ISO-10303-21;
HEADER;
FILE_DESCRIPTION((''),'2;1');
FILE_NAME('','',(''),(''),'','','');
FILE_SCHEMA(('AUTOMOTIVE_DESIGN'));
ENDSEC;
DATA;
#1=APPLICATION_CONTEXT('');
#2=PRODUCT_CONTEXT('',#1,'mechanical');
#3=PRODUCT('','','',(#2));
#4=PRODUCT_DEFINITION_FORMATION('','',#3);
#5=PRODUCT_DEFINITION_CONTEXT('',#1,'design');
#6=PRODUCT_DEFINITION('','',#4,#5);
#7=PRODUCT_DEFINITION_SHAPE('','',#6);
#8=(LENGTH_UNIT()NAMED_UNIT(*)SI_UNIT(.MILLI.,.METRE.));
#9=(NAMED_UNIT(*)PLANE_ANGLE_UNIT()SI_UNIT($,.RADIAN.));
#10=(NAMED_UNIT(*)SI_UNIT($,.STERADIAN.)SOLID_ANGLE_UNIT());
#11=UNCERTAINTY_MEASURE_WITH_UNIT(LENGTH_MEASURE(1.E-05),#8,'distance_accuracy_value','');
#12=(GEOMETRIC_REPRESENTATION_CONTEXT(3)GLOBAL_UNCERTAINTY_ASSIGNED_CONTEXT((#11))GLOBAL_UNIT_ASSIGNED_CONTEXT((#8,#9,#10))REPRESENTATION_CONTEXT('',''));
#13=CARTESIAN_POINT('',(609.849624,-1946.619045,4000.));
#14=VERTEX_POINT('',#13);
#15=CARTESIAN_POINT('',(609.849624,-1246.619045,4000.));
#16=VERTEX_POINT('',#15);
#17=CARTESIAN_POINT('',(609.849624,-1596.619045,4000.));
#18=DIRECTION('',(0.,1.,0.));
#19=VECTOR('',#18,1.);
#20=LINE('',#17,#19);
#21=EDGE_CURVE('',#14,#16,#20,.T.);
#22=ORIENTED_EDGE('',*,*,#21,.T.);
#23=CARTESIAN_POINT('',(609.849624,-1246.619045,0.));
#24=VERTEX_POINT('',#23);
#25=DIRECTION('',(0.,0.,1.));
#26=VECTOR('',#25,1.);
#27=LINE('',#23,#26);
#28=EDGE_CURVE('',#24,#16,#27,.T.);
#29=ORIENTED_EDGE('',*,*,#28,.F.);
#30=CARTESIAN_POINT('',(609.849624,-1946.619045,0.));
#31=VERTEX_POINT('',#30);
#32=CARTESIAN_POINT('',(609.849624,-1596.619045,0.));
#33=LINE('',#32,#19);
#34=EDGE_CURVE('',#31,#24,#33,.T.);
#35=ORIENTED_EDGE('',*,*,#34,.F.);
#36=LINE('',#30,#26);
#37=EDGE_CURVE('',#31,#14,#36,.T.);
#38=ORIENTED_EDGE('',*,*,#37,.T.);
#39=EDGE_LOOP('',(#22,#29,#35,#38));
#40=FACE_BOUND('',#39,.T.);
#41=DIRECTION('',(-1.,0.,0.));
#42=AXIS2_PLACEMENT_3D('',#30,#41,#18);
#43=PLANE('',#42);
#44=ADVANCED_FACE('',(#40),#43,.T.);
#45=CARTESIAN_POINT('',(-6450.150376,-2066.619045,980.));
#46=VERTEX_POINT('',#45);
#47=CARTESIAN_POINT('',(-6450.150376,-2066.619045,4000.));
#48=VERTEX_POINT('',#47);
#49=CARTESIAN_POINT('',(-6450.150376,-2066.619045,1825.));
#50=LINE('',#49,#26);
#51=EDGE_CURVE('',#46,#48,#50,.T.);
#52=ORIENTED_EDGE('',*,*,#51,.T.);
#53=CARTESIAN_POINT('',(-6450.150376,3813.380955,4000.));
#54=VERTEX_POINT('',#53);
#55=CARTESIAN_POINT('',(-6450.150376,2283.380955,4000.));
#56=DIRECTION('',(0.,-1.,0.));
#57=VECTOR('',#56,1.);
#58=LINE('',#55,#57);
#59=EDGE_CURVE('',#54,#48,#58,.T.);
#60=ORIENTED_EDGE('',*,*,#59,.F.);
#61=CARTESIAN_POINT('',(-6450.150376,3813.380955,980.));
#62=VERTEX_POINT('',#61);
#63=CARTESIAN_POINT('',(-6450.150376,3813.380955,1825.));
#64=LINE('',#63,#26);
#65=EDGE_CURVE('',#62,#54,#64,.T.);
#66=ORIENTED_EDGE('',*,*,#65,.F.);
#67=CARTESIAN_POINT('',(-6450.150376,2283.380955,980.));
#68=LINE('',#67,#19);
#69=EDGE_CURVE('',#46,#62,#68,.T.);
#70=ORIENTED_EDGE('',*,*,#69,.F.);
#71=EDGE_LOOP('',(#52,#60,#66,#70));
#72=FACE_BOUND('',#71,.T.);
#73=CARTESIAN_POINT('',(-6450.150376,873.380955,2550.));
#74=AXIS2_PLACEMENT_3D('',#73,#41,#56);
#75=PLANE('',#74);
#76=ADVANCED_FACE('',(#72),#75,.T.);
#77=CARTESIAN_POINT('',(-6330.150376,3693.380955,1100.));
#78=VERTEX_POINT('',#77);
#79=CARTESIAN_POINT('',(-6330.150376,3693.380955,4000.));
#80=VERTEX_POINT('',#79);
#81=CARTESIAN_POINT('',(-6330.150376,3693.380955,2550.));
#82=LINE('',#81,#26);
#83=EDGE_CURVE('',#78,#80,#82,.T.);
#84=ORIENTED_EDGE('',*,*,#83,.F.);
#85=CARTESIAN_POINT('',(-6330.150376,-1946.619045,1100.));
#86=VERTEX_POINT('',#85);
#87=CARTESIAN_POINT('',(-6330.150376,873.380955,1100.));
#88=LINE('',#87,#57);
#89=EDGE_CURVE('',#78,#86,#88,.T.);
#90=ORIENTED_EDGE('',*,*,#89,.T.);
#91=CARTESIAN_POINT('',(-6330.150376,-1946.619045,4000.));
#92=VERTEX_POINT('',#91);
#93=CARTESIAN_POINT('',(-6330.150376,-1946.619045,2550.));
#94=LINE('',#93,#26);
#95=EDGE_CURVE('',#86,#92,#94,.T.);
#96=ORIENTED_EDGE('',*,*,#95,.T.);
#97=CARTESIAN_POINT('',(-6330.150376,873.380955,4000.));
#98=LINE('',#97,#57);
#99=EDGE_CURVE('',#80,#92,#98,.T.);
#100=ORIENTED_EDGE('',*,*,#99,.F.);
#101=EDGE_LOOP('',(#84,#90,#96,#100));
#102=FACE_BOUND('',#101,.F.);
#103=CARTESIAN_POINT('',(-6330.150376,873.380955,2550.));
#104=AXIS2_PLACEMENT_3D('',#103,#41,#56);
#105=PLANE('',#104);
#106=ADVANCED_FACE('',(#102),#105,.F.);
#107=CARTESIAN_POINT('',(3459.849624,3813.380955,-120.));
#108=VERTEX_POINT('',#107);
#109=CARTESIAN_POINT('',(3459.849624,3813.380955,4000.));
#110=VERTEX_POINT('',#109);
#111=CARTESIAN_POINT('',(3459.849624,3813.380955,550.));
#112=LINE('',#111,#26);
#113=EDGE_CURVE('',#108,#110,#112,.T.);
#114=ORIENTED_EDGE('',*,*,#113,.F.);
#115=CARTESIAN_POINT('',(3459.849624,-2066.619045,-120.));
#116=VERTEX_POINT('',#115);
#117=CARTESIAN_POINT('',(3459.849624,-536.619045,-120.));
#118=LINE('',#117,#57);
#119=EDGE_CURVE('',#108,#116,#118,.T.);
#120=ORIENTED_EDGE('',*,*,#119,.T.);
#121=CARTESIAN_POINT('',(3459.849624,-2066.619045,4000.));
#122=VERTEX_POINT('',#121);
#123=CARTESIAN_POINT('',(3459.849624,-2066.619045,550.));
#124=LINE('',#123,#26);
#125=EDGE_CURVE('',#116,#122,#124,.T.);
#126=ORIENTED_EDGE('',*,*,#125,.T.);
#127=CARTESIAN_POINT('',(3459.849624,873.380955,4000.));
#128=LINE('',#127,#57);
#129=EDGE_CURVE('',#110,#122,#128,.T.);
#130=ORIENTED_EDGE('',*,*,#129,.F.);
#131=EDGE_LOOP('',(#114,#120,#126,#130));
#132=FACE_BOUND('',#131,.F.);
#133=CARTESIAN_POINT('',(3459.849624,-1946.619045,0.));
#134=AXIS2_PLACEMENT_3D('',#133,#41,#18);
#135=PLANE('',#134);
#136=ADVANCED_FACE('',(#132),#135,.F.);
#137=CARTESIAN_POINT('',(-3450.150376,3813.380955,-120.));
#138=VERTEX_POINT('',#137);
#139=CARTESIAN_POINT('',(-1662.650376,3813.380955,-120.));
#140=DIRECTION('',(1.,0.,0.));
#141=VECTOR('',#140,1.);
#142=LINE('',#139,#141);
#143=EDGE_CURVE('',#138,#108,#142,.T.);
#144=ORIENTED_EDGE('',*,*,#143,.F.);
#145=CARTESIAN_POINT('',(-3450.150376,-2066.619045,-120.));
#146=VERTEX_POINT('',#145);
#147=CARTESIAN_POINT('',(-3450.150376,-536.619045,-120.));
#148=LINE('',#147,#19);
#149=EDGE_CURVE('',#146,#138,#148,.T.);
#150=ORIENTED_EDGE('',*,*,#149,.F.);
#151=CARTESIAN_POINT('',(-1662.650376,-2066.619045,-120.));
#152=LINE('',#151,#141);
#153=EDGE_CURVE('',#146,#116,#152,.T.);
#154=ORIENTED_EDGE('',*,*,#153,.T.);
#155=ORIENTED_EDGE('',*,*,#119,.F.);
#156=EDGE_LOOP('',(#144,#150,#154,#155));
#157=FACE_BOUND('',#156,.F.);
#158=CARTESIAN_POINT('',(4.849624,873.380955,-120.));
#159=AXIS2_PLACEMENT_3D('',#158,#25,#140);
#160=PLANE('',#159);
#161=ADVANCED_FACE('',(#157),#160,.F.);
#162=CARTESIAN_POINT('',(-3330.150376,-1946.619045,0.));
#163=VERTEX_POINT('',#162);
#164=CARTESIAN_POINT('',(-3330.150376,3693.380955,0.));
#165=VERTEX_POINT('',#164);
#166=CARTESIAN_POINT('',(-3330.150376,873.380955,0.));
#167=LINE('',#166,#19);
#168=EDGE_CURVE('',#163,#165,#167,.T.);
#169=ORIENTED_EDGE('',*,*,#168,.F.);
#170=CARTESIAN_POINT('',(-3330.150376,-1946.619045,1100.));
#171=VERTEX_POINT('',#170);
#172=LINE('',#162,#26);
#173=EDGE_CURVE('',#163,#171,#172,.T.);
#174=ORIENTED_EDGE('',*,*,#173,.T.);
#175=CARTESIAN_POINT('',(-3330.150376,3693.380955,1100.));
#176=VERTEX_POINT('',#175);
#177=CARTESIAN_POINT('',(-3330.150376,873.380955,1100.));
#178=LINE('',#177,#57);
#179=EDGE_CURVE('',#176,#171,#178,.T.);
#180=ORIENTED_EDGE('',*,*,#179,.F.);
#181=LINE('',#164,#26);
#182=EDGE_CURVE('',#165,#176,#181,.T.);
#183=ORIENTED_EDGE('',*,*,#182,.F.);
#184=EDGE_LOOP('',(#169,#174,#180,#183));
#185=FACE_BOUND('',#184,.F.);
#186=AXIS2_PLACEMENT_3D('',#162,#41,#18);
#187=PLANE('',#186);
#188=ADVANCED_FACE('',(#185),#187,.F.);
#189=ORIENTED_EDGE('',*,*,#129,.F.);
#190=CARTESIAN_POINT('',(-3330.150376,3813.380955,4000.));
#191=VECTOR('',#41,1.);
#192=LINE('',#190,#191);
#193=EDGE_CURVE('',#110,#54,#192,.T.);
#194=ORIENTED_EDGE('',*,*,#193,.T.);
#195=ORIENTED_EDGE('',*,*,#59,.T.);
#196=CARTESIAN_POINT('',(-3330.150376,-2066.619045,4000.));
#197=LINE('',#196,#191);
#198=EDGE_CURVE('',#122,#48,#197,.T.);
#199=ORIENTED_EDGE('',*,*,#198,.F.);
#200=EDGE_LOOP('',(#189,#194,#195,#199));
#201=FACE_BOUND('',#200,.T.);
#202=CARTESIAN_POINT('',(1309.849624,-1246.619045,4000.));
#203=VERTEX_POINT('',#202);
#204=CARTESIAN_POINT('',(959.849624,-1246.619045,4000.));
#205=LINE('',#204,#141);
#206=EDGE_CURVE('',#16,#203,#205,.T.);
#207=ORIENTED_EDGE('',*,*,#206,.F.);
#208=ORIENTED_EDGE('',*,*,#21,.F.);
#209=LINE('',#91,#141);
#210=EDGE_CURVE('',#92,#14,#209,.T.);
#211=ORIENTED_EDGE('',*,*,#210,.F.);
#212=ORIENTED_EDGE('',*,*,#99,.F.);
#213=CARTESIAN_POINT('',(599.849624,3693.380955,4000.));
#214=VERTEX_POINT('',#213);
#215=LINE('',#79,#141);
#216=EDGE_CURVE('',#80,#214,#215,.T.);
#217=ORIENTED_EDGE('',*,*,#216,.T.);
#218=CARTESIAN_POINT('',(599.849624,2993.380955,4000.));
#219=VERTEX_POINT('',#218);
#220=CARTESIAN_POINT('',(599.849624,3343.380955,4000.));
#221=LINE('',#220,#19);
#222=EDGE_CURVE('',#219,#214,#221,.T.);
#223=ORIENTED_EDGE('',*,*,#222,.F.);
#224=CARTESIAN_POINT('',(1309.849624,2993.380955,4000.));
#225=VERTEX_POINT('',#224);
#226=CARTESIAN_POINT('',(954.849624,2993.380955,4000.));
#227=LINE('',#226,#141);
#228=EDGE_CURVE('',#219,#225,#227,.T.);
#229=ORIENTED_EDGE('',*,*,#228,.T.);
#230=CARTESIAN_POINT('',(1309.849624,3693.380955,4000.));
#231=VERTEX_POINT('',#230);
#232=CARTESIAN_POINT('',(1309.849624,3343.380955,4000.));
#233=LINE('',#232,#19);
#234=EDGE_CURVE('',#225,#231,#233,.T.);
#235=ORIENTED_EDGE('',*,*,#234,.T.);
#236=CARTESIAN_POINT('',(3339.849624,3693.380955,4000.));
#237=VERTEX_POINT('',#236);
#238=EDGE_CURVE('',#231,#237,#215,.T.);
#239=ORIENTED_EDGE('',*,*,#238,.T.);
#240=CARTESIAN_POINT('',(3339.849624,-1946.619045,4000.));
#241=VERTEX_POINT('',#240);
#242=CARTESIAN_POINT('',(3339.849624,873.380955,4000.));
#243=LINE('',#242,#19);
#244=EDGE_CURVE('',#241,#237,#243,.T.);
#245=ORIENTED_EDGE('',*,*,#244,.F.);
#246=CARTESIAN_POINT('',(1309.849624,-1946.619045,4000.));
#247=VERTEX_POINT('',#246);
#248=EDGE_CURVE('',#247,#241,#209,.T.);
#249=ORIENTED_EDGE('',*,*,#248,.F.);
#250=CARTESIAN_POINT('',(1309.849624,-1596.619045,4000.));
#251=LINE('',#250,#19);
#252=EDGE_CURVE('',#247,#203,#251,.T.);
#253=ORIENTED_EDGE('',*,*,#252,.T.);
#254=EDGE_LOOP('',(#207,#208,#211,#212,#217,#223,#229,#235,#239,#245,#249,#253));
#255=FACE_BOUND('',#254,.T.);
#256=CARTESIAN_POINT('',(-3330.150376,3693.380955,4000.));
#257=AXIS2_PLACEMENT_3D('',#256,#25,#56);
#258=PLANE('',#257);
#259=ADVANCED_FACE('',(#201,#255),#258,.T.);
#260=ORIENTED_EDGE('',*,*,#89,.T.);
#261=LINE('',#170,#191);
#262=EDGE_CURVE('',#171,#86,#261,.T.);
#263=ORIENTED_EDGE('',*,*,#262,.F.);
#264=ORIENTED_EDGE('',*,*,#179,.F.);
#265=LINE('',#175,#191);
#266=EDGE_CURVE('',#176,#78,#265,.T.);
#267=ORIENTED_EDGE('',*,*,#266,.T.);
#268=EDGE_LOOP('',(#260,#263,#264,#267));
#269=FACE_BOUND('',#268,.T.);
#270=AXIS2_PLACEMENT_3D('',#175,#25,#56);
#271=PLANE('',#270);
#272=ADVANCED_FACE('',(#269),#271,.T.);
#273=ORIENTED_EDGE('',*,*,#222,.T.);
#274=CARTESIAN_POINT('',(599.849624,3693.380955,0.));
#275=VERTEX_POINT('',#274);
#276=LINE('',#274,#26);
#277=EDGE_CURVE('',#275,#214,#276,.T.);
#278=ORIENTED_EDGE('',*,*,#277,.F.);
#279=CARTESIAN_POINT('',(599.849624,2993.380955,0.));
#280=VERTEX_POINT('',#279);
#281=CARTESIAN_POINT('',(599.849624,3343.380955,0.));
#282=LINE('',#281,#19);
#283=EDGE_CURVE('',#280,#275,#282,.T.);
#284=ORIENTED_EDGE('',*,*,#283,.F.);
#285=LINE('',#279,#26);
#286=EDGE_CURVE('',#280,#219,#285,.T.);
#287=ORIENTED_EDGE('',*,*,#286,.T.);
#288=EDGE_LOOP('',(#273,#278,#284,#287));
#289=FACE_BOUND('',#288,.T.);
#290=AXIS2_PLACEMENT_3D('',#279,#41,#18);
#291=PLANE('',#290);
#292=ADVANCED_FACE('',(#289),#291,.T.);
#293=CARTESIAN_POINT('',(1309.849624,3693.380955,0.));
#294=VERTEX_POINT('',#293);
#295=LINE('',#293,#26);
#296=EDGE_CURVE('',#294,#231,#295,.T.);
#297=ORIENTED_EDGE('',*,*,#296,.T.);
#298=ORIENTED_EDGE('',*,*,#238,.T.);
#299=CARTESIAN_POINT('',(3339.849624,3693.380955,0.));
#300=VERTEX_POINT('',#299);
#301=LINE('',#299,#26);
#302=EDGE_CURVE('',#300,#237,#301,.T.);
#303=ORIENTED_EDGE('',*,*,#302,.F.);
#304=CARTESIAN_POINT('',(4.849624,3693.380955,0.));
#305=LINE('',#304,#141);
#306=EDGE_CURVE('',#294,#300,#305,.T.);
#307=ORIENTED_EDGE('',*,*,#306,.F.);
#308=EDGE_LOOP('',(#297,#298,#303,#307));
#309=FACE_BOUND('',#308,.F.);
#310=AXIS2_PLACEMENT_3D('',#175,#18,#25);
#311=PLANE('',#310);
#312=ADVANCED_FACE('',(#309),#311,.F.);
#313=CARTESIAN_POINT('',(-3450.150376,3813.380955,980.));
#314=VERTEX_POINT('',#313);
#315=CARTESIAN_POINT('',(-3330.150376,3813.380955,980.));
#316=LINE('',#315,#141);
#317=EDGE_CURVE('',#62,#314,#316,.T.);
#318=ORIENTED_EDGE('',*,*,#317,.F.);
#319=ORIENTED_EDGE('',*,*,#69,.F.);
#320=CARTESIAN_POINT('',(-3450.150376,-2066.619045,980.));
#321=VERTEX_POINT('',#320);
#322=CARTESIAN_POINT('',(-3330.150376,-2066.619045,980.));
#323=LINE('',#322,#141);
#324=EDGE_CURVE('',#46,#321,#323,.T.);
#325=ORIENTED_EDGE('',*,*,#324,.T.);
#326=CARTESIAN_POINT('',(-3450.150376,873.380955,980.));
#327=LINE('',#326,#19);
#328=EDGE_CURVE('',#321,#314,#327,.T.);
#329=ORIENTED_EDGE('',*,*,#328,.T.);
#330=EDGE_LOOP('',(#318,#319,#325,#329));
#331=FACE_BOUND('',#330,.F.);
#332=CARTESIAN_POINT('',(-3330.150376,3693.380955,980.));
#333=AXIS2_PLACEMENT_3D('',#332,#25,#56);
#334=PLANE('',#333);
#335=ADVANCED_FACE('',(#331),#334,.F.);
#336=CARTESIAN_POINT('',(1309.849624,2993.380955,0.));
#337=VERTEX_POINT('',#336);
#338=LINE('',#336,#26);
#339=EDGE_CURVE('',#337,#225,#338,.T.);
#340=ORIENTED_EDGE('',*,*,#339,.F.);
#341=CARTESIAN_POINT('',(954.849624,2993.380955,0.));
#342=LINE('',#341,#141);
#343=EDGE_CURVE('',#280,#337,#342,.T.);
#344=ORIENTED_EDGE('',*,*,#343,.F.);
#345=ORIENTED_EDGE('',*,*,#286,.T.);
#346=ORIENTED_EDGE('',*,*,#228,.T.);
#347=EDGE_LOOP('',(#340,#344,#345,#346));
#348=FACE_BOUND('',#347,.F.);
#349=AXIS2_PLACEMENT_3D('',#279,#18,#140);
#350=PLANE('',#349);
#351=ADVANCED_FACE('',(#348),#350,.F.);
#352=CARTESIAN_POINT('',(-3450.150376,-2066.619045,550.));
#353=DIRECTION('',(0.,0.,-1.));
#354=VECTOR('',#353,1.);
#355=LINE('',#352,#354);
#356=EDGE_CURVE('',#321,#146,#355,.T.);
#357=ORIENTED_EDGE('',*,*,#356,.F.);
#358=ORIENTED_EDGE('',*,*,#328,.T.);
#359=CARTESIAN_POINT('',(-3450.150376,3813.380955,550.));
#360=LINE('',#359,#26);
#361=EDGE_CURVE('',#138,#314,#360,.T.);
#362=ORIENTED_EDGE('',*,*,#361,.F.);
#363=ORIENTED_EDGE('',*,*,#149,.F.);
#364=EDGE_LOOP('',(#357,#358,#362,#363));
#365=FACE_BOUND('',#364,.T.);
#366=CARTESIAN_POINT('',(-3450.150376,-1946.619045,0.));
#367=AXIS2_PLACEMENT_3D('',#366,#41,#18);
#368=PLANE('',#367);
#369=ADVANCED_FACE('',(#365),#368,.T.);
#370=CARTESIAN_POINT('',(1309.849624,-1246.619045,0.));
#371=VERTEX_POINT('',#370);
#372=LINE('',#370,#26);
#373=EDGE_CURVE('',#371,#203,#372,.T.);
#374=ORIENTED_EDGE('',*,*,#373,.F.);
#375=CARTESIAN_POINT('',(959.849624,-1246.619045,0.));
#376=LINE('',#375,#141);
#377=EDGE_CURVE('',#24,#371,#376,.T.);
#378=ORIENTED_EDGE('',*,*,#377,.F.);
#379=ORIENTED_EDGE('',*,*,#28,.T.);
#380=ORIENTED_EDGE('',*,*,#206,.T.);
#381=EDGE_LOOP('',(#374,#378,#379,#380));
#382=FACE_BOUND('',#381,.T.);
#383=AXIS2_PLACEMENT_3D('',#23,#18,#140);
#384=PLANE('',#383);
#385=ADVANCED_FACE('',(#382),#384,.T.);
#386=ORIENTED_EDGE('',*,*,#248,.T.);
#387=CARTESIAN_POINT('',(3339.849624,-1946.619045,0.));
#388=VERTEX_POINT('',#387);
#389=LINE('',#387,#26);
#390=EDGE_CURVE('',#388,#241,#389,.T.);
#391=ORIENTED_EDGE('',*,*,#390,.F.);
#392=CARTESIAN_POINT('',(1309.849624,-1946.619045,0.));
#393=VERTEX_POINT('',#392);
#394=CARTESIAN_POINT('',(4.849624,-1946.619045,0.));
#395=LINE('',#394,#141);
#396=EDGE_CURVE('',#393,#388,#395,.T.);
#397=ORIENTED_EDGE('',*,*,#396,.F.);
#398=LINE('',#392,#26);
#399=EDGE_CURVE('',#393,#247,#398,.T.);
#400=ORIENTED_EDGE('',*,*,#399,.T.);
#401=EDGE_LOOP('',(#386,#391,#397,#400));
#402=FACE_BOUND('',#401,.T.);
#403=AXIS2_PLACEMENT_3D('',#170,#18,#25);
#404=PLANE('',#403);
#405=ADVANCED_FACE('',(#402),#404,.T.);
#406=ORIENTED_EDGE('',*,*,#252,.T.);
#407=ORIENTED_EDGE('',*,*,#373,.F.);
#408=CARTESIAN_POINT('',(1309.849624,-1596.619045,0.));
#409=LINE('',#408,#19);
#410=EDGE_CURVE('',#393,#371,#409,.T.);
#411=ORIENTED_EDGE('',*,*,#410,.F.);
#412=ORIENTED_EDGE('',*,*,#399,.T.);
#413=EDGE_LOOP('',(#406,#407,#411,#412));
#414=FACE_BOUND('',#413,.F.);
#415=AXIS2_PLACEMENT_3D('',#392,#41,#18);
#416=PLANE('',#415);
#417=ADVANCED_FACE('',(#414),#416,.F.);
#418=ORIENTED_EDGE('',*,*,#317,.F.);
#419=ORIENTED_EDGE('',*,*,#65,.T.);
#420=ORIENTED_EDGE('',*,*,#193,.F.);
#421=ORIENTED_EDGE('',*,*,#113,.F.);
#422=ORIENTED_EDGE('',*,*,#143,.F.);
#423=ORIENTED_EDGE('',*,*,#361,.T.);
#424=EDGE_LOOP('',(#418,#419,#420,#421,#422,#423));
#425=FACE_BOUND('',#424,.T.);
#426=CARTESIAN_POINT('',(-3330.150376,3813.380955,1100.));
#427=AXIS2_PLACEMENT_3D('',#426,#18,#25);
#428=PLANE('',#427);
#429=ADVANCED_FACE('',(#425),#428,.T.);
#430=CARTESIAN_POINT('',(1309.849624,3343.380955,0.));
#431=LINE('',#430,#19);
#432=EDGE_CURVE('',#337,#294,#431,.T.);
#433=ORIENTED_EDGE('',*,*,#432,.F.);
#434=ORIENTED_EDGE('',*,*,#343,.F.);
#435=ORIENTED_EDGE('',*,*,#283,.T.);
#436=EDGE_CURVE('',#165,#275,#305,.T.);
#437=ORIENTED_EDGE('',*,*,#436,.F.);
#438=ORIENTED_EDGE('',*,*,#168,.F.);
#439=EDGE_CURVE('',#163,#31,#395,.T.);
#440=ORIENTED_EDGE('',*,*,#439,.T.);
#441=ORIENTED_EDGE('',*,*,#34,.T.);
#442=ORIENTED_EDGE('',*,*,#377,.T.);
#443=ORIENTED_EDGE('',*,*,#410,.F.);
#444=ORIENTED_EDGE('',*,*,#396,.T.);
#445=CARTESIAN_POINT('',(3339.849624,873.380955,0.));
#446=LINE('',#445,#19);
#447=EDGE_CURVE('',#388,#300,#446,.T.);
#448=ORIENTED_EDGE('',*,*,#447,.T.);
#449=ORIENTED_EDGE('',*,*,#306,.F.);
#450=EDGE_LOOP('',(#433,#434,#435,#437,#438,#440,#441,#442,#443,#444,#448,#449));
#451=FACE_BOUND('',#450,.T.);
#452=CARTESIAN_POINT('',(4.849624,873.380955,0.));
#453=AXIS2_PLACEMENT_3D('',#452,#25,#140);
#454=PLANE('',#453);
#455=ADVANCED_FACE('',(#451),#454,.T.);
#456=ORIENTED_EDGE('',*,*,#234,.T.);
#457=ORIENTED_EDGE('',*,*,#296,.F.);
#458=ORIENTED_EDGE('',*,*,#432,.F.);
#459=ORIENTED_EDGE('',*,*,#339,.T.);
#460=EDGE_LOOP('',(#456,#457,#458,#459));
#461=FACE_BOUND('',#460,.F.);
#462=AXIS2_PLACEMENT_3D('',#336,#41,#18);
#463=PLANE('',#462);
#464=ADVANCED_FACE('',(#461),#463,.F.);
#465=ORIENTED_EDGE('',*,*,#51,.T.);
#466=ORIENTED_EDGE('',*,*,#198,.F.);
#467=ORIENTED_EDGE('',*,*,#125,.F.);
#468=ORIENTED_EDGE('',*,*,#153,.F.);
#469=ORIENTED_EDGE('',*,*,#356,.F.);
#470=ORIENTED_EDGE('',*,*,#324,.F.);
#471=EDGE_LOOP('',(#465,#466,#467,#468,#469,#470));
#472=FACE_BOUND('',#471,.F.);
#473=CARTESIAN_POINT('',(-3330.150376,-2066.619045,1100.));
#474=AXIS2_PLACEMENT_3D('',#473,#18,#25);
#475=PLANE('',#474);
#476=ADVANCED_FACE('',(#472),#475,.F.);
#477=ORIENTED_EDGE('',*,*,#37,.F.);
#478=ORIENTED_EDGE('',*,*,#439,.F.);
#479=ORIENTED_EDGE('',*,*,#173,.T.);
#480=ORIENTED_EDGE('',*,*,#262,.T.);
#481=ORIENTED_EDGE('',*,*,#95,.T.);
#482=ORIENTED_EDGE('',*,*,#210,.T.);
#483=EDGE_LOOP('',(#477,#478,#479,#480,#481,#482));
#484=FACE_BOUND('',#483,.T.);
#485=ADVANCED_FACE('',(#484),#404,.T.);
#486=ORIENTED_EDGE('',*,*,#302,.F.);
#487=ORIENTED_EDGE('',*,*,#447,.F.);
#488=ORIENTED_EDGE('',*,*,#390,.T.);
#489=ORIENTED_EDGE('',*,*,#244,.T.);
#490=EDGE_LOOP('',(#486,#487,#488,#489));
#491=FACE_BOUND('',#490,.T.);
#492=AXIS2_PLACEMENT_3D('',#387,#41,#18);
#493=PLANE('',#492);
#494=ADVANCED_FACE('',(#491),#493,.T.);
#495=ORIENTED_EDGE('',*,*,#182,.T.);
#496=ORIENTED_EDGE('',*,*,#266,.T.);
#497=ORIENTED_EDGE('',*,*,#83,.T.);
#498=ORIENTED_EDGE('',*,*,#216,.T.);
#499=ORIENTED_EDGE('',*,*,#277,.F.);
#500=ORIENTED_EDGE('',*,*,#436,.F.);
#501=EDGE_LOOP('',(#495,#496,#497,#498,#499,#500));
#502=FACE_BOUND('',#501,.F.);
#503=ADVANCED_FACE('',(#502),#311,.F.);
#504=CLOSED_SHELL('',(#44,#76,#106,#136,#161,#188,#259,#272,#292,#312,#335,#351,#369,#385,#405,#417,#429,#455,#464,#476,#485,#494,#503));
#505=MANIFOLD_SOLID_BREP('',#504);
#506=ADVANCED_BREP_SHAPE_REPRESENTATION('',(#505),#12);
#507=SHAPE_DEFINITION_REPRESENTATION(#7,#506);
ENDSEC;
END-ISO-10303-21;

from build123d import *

# Parameters (mm, degrees)
F0_W     = 6670
F0_H     = 5640
F1_DEPTH = 4000
F2_W     = 5640
F2_H     = 2900
F3_DEPTH = 3000
F4_T     = 120
F5_W     = 700
F5_H     = 700
F5_W_2   = 710
F6_DEPTH = 4000


with BuildPart() as f1:
    # F0 (on Top) → F1 (new body)
    with BuildSketch(Plane.XY):
        with Locations((4.8496238887, 873.3809552149)):
            Rectangle(F0_W, F0_H)
    extrude(amount=F1_DEPTH)

    # F2 (on face) → F3 (join)
    with BuildSketch(Plane(origin=(-3330.1503761113, 0, 0), x_dir=(0, -1, 0), z_dir=(-1, 0, 0))):
        with Locations((-873.3809552149, 2550)):
            Rectangle(F2_W, F2_H)
    extrude(amount=F3_DEPTH)

    # F4
    f4_openings = [f1.faces().sort_by_distance(p)[0] for p in [
        (-1495.150376, 873.380955, 4000),
    ]]
    offset(amount=F4_T, openings=f4_openings, kind=Kind.INTERSECTION)

    # F5 (on face) → F6 (join, through all)
    with BuildSketch(Plane.XY):
        with Locations((959.8496238887, -1596.6190447851)):
            Rectangle(F5_W, F5_H)
        with Locations((954.8496238887, 3343.3809552149)):
            Rectangle(F5_W_2, F5_H)
    extrude(amount=F6_DEPTH)


solid = f1.part
